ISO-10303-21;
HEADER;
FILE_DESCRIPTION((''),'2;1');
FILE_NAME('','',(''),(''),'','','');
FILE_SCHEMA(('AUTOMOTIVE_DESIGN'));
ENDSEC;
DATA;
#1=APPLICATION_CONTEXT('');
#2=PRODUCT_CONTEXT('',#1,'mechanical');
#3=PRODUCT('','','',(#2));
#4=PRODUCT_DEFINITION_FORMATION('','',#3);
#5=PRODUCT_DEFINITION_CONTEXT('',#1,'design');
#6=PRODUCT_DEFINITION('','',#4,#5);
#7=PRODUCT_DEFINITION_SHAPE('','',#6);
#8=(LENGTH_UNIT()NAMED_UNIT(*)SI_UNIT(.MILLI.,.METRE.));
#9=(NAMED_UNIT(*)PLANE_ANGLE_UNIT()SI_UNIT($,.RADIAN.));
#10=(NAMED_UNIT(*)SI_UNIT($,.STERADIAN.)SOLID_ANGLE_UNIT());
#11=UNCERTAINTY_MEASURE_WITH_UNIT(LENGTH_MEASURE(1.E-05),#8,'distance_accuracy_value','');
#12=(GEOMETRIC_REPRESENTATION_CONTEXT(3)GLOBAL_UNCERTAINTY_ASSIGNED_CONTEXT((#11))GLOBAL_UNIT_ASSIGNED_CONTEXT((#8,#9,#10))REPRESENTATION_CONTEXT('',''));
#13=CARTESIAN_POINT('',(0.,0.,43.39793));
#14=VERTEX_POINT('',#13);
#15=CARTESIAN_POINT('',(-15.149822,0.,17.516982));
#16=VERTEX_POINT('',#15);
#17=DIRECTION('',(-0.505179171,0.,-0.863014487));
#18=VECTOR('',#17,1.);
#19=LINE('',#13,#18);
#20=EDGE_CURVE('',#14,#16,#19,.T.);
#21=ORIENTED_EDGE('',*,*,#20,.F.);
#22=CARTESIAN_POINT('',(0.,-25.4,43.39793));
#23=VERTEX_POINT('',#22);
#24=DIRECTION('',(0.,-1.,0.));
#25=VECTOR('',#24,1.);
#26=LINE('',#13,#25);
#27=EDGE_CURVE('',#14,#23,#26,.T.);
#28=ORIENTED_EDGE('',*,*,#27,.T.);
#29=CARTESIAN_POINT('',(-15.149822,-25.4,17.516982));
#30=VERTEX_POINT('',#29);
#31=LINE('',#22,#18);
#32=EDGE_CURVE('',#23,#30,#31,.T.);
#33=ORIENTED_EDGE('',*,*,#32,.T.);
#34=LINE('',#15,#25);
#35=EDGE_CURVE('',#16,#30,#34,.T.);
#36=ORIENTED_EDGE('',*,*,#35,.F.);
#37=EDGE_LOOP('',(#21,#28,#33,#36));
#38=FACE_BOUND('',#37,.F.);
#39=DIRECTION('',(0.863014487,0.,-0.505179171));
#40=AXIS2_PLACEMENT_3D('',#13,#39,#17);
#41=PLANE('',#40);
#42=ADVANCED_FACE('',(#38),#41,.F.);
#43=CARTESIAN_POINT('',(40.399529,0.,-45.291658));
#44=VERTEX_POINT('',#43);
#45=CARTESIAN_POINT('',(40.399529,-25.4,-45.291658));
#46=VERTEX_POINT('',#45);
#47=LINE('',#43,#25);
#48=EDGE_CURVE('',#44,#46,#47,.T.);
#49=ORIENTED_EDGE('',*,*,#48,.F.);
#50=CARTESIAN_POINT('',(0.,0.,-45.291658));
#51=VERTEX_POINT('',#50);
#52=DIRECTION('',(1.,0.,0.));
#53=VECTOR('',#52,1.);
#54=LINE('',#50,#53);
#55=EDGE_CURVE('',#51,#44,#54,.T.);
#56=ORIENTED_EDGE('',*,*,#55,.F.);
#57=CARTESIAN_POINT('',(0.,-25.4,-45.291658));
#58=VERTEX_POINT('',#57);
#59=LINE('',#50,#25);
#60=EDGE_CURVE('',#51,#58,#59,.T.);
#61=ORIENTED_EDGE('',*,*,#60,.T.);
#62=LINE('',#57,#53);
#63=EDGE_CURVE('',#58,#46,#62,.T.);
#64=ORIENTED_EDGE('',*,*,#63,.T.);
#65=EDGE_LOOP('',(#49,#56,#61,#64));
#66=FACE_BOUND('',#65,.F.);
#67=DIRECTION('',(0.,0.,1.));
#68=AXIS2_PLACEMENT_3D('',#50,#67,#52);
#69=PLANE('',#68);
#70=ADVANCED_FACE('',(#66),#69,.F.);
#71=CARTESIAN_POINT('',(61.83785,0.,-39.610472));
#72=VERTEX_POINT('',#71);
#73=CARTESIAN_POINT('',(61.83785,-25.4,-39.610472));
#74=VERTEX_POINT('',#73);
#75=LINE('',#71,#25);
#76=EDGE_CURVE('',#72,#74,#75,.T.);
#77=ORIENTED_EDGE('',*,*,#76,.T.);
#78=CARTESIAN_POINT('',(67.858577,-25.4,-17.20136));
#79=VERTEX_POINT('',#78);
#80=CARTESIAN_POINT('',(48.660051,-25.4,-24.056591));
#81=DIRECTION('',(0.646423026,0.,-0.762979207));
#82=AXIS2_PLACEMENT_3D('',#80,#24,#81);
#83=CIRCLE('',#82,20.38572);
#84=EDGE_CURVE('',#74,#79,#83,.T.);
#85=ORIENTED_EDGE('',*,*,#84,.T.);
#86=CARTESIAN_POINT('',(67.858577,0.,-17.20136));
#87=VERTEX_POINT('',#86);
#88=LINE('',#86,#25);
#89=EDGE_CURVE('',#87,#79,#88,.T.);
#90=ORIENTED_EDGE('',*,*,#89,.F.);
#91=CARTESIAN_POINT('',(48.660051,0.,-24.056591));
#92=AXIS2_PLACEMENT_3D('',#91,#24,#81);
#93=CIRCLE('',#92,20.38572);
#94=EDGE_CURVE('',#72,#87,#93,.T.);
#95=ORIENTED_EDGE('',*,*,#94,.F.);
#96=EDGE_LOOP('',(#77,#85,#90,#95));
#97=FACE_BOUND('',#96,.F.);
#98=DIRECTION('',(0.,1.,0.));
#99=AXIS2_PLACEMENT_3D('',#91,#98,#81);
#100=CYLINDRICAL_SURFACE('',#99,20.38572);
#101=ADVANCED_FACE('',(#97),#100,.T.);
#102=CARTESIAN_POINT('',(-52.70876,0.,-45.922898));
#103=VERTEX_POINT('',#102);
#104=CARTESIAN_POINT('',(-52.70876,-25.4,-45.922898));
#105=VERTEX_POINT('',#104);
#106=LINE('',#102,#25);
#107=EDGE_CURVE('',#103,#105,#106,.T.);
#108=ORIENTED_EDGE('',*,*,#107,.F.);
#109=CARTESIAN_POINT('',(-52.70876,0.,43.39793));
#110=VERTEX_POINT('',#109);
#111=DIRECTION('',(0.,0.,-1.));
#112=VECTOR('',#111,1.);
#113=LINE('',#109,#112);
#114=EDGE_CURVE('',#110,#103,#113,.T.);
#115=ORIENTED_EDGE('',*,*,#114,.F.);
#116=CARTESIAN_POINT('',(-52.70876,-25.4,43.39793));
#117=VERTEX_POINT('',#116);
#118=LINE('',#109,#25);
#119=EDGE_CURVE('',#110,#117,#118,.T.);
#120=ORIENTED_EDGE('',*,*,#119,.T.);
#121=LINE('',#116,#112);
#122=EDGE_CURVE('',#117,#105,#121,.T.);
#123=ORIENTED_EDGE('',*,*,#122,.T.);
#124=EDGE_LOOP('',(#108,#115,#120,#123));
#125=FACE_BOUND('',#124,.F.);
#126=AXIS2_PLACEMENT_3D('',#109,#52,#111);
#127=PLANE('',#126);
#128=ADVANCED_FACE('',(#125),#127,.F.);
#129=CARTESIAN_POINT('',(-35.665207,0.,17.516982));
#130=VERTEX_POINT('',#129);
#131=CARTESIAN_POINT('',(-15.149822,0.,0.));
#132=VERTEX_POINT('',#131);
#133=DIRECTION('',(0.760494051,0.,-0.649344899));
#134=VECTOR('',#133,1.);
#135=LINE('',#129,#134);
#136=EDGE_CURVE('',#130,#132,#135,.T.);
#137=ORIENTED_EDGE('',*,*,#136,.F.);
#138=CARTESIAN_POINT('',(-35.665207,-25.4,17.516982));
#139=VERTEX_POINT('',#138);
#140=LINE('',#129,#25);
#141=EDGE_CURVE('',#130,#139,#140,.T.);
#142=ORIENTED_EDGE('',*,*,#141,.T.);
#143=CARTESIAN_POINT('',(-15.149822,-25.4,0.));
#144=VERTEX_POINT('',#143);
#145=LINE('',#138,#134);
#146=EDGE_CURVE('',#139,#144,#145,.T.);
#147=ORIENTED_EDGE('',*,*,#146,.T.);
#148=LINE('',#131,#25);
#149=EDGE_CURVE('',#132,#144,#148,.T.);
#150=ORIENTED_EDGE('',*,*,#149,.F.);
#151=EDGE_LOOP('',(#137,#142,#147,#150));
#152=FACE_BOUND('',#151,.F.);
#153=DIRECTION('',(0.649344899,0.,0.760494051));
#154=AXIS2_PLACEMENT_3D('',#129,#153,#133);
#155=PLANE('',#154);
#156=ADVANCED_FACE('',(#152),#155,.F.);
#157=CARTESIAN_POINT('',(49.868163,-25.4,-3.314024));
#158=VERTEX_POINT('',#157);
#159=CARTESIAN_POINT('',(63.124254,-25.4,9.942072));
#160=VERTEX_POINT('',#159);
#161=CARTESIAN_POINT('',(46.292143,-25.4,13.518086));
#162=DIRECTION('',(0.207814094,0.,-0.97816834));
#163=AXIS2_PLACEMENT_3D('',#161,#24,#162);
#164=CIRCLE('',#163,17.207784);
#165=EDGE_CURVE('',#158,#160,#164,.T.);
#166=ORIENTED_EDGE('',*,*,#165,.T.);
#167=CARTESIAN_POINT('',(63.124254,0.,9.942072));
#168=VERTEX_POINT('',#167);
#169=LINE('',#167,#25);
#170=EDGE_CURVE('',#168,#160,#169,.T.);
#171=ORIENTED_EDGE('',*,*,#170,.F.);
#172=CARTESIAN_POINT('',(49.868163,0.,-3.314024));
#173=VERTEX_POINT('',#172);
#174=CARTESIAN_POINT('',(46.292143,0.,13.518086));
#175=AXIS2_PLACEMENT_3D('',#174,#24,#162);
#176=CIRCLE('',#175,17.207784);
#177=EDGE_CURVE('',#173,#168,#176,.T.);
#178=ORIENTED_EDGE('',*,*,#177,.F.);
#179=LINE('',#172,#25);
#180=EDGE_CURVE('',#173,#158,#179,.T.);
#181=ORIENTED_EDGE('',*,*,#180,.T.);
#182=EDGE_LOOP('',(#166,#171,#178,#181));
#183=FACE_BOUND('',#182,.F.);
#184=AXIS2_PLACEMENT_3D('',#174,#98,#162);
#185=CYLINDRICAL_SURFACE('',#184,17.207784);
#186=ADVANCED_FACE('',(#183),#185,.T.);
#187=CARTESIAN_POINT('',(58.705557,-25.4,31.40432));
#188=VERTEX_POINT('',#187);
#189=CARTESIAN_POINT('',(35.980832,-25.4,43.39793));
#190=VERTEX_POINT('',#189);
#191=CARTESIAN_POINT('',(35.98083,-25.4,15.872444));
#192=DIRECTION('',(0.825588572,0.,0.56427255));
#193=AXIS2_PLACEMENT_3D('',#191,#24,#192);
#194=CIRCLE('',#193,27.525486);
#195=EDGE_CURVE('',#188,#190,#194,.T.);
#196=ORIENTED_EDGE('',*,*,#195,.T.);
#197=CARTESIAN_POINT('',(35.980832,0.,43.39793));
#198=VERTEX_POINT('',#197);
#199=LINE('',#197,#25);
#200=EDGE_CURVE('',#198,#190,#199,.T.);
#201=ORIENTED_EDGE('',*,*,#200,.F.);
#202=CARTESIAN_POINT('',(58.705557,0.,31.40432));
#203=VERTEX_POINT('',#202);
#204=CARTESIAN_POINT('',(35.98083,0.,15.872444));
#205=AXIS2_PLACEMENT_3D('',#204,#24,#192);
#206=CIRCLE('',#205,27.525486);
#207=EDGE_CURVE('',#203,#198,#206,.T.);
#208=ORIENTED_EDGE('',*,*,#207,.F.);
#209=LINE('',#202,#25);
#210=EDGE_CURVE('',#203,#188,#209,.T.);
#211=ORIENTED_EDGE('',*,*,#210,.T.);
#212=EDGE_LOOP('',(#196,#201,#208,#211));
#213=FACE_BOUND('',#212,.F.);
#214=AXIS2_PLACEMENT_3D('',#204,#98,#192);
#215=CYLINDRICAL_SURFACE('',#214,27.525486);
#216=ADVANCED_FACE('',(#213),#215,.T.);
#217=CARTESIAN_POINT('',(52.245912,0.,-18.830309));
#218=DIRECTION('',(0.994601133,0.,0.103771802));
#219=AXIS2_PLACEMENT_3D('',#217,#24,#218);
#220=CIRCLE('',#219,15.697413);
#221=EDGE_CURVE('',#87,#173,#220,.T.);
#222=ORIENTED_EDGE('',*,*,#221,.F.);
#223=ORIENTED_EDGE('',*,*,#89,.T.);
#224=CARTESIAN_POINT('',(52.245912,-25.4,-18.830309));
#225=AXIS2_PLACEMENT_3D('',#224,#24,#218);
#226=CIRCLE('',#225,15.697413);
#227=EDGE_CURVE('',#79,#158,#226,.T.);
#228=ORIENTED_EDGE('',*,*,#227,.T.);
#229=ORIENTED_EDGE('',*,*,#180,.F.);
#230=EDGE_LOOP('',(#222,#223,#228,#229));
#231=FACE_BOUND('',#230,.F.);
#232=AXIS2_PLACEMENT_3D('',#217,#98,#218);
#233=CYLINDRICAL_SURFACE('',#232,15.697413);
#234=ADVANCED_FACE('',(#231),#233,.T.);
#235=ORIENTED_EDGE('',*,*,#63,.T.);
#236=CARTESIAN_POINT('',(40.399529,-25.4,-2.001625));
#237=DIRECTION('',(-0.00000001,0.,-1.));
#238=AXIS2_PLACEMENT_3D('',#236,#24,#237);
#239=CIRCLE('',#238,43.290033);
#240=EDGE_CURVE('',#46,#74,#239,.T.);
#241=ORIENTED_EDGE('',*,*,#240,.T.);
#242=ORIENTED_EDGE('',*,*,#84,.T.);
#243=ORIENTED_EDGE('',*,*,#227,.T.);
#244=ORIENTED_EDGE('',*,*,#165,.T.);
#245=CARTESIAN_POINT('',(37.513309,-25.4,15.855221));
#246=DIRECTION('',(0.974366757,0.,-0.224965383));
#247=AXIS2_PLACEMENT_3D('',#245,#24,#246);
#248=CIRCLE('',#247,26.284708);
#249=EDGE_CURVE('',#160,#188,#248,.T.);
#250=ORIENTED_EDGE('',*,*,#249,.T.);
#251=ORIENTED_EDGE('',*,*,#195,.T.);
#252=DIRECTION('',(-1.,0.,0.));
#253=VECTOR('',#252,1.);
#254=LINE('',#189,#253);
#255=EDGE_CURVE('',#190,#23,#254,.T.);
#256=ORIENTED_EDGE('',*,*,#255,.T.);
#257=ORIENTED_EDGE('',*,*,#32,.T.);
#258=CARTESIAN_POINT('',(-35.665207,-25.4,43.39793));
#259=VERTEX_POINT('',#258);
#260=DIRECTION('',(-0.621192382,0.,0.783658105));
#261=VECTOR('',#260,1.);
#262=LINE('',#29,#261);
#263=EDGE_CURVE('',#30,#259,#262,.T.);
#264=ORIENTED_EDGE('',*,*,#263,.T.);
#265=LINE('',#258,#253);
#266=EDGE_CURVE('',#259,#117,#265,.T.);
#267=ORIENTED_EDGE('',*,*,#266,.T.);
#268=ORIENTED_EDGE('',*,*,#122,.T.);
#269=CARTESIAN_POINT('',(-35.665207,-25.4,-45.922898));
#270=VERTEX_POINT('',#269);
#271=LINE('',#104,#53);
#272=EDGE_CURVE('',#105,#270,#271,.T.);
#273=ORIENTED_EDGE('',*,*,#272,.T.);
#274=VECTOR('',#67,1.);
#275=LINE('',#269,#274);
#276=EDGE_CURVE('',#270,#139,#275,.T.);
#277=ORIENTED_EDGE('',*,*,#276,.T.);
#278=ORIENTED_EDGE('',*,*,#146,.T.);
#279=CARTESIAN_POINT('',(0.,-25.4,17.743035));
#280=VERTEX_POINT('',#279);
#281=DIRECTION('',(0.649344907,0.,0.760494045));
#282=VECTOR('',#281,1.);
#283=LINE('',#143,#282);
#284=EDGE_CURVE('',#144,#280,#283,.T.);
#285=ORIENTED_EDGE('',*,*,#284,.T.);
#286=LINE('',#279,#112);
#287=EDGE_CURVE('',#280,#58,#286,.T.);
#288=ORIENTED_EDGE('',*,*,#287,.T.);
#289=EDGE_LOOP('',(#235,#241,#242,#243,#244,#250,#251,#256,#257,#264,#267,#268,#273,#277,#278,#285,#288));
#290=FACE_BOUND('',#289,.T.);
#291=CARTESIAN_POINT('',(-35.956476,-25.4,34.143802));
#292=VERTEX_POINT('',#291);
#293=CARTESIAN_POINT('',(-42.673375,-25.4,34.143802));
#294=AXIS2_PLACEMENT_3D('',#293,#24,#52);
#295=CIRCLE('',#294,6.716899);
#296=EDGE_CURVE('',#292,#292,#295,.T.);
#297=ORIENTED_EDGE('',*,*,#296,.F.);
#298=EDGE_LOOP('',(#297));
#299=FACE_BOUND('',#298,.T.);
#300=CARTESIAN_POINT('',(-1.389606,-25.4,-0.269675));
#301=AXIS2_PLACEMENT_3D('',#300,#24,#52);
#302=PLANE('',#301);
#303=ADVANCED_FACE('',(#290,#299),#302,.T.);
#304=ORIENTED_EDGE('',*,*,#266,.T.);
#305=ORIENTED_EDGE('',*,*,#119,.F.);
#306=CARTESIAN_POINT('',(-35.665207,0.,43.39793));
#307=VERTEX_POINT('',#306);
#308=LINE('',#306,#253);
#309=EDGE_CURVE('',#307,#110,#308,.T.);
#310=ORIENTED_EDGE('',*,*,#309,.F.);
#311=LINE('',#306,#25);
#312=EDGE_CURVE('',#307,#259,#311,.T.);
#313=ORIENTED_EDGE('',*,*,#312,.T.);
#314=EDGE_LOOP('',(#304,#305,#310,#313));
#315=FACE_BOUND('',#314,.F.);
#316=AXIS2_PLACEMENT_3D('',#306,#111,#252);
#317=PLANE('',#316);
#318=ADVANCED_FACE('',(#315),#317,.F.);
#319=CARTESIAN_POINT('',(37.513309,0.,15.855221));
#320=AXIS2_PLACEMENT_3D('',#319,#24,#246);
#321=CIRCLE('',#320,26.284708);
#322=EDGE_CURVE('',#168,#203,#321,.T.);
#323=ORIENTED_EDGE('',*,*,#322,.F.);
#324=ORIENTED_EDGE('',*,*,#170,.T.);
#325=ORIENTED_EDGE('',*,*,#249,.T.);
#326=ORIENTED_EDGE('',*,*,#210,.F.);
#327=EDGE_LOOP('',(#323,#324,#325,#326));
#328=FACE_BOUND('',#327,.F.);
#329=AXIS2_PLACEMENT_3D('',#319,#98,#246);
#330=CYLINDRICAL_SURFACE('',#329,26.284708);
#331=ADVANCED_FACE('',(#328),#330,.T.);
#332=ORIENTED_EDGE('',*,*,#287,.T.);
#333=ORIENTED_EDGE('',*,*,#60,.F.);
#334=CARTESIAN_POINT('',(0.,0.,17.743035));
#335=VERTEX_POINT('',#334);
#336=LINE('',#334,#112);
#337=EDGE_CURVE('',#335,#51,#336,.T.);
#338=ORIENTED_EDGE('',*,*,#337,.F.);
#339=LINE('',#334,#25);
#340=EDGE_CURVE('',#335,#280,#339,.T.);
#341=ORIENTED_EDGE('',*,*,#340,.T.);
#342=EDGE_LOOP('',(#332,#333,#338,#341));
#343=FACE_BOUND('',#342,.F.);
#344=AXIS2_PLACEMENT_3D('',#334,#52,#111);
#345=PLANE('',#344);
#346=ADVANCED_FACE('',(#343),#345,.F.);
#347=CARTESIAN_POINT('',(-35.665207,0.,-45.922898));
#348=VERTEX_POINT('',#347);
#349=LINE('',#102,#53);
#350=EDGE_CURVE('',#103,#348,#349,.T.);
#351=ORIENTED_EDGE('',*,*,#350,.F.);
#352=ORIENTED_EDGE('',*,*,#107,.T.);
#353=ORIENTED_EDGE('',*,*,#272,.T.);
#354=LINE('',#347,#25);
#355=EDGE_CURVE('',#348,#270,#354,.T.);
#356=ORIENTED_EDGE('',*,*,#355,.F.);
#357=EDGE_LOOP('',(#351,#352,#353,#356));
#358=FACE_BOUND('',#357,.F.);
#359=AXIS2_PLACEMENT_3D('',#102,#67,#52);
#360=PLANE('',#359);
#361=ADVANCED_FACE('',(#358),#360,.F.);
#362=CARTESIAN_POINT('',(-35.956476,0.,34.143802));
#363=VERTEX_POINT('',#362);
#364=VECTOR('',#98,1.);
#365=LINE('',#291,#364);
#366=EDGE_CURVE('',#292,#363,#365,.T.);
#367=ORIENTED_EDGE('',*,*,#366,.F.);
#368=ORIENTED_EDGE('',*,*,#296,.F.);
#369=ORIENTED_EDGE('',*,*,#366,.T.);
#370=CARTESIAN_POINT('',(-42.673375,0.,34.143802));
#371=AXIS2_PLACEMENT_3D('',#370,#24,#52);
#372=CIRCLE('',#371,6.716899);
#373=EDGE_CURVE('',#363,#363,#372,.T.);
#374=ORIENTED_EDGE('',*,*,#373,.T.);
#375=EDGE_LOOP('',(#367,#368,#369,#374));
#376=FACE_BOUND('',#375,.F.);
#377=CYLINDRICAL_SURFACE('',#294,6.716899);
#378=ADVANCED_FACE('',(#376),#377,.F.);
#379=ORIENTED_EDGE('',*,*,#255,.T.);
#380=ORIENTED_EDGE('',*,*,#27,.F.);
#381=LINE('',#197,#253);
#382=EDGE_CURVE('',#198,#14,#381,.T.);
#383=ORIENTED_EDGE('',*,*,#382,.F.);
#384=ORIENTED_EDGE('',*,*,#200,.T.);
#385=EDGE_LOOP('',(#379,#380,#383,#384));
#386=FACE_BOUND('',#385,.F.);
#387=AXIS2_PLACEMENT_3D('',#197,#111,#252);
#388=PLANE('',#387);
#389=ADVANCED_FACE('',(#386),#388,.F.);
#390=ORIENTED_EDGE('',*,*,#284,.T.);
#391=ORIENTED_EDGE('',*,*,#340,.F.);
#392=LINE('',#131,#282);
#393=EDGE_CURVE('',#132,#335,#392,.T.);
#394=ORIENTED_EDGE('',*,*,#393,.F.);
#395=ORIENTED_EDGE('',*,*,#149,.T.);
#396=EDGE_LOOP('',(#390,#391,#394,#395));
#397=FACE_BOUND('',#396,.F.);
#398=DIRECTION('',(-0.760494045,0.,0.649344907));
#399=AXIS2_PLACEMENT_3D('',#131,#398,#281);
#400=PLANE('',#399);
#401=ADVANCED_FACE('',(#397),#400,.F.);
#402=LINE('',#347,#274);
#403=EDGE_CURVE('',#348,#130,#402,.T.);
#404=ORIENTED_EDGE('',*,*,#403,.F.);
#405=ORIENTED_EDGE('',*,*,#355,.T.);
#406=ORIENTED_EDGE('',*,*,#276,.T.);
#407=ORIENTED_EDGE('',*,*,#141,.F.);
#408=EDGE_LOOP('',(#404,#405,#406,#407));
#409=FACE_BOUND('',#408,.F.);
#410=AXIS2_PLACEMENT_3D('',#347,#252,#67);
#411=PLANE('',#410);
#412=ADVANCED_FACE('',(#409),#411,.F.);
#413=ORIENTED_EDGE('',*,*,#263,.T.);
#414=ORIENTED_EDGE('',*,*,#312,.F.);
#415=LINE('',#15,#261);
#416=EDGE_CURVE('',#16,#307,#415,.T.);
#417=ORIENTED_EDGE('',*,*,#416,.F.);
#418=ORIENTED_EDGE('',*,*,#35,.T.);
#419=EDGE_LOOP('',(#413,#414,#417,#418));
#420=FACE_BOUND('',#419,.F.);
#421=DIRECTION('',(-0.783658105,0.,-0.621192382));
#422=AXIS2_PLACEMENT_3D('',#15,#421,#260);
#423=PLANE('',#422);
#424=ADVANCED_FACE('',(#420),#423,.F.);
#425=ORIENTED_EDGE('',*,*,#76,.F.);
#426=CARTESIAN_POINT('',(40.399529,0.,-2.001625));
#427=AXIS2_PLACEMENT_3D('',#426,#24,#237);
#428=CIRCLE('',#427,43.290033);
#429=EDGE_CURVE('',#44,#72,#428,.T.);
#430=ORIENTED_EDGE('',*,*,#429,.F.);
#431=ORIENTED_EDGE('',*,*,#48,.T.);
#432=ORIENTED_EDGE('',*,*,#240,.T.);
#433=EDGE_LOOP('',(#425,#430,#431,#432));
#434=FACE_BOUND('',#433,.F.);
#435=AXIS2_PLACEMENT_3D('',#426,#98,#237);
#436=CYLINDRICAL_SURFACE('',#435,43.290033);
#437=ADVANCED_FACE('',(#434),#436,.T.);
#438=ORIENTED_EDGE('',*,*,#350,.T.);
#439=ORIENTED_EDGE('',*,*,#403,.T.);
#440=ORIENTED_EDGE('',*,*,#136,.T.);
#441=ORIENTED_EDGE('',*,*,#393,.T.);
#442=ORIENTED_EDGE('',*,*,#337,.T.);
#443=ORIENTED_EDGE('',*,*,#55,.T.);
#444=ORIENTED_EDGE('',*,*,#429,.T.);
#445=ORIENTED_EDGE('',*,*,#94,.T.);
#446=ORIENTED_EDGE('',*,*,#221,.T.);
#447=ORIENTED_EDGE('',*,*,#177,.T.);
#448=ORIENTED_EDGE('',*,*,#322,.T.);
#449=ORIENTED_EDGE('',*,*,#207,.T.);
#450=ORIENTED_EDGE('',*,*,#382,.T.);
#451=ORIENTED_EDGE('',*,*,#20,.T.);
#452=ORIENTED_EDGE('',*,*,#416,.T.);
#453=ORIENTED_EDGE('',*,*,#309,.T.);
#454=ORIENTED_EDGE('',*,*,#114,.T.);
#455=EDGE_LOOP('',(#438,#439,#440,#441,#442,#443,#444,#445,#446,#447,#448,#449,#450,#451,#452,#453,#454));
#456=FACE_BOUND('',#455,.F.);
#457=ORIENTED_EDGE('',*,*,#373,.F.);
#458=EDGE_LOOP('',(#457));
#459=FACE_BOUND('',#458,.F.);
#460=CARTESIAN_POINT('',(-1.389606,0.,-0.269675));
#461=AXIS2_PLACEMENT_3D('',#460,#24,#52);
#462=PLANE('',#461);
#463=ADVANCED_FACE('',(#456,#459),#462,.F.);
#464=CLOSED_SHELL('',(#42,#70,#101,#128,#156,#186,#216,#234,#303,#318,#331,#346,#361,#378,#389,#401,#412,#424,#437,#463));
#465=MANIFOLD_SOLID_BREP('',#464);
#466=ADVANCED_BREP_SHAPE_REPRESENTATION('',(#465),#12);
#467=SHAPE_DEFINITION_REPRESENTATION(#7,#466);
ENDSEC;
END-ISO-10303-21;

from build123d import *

# Parameters (mm, degrees)
F1_DEPTH = 25.4
F2_R     = 6.716899
F3_DEPTH = 127


with BuildPart() as f1:
    # F0 (on Front) → F1 (new body)
    with BuildSketch(Plane.XZ):
        with BuildLine():
            Line((-35.665207, 43.39793), (-52.70876, 43.39793))
            Line((-52.70876, 43.39793), (-52.70876, -45.922898))
            Line((-52.70876, -45.922898), (-35.665207, -45.922898))
            Line((-35.665207, -45.922898), (-35.665207, 17.516982))
            Line((-35.665207, 17.516982), (-15.149822, 0))
            Line((-15.149822, 0), (0, 17.743035))
            Line((0, 17.743035), (0, -45.291658))
            Line((0, -45.291658), (40.399529, -45.291658))
            ThreePointArc((40.399529, -45.291658), (51.488685, -43.847265), (61.83785, -39.610472))
            ThreePointArc((61.83785, -39.610472), (68.347577, -29.346101), (67.858577, -17.20136))
            ThreePointArc((67.858577, -17.20136), (61.83785, -6.404388), (49.868163, -3.314024))
            ThreePointArc((49.868163, -3.314024), (58.459886, 1.350347), (63.124254, 9.942072))
            ThreePointArc((63.124254, 9.942072), (63.258051, 21.155608), (58.705557, 31.40432))
            ThreePointArc((58.705557, 31.40432), (48.828592, 40.215562), (35.980832, 43.39793))
            Line((35.980832, 43.39793), (0, 43.39793))
            Line((0, 43.39793), (-15.149822, 17.516982))
            Line((-15.149822, 17.516982), (-35.665207, 43.39793))
        make_face()
    extrude(amount=F1_DEPTH)

    # F2 (on face) → F3 (cut)
    with BuildSketch(Plane.XZ.offset(25.4)):
        with Locations((-42.673375, 34.143802)):
            Circle(F2_R)
    extrude(amount=-F3_DEPTH, mode=Mode.SUBTRACT)


solid = f1.part
